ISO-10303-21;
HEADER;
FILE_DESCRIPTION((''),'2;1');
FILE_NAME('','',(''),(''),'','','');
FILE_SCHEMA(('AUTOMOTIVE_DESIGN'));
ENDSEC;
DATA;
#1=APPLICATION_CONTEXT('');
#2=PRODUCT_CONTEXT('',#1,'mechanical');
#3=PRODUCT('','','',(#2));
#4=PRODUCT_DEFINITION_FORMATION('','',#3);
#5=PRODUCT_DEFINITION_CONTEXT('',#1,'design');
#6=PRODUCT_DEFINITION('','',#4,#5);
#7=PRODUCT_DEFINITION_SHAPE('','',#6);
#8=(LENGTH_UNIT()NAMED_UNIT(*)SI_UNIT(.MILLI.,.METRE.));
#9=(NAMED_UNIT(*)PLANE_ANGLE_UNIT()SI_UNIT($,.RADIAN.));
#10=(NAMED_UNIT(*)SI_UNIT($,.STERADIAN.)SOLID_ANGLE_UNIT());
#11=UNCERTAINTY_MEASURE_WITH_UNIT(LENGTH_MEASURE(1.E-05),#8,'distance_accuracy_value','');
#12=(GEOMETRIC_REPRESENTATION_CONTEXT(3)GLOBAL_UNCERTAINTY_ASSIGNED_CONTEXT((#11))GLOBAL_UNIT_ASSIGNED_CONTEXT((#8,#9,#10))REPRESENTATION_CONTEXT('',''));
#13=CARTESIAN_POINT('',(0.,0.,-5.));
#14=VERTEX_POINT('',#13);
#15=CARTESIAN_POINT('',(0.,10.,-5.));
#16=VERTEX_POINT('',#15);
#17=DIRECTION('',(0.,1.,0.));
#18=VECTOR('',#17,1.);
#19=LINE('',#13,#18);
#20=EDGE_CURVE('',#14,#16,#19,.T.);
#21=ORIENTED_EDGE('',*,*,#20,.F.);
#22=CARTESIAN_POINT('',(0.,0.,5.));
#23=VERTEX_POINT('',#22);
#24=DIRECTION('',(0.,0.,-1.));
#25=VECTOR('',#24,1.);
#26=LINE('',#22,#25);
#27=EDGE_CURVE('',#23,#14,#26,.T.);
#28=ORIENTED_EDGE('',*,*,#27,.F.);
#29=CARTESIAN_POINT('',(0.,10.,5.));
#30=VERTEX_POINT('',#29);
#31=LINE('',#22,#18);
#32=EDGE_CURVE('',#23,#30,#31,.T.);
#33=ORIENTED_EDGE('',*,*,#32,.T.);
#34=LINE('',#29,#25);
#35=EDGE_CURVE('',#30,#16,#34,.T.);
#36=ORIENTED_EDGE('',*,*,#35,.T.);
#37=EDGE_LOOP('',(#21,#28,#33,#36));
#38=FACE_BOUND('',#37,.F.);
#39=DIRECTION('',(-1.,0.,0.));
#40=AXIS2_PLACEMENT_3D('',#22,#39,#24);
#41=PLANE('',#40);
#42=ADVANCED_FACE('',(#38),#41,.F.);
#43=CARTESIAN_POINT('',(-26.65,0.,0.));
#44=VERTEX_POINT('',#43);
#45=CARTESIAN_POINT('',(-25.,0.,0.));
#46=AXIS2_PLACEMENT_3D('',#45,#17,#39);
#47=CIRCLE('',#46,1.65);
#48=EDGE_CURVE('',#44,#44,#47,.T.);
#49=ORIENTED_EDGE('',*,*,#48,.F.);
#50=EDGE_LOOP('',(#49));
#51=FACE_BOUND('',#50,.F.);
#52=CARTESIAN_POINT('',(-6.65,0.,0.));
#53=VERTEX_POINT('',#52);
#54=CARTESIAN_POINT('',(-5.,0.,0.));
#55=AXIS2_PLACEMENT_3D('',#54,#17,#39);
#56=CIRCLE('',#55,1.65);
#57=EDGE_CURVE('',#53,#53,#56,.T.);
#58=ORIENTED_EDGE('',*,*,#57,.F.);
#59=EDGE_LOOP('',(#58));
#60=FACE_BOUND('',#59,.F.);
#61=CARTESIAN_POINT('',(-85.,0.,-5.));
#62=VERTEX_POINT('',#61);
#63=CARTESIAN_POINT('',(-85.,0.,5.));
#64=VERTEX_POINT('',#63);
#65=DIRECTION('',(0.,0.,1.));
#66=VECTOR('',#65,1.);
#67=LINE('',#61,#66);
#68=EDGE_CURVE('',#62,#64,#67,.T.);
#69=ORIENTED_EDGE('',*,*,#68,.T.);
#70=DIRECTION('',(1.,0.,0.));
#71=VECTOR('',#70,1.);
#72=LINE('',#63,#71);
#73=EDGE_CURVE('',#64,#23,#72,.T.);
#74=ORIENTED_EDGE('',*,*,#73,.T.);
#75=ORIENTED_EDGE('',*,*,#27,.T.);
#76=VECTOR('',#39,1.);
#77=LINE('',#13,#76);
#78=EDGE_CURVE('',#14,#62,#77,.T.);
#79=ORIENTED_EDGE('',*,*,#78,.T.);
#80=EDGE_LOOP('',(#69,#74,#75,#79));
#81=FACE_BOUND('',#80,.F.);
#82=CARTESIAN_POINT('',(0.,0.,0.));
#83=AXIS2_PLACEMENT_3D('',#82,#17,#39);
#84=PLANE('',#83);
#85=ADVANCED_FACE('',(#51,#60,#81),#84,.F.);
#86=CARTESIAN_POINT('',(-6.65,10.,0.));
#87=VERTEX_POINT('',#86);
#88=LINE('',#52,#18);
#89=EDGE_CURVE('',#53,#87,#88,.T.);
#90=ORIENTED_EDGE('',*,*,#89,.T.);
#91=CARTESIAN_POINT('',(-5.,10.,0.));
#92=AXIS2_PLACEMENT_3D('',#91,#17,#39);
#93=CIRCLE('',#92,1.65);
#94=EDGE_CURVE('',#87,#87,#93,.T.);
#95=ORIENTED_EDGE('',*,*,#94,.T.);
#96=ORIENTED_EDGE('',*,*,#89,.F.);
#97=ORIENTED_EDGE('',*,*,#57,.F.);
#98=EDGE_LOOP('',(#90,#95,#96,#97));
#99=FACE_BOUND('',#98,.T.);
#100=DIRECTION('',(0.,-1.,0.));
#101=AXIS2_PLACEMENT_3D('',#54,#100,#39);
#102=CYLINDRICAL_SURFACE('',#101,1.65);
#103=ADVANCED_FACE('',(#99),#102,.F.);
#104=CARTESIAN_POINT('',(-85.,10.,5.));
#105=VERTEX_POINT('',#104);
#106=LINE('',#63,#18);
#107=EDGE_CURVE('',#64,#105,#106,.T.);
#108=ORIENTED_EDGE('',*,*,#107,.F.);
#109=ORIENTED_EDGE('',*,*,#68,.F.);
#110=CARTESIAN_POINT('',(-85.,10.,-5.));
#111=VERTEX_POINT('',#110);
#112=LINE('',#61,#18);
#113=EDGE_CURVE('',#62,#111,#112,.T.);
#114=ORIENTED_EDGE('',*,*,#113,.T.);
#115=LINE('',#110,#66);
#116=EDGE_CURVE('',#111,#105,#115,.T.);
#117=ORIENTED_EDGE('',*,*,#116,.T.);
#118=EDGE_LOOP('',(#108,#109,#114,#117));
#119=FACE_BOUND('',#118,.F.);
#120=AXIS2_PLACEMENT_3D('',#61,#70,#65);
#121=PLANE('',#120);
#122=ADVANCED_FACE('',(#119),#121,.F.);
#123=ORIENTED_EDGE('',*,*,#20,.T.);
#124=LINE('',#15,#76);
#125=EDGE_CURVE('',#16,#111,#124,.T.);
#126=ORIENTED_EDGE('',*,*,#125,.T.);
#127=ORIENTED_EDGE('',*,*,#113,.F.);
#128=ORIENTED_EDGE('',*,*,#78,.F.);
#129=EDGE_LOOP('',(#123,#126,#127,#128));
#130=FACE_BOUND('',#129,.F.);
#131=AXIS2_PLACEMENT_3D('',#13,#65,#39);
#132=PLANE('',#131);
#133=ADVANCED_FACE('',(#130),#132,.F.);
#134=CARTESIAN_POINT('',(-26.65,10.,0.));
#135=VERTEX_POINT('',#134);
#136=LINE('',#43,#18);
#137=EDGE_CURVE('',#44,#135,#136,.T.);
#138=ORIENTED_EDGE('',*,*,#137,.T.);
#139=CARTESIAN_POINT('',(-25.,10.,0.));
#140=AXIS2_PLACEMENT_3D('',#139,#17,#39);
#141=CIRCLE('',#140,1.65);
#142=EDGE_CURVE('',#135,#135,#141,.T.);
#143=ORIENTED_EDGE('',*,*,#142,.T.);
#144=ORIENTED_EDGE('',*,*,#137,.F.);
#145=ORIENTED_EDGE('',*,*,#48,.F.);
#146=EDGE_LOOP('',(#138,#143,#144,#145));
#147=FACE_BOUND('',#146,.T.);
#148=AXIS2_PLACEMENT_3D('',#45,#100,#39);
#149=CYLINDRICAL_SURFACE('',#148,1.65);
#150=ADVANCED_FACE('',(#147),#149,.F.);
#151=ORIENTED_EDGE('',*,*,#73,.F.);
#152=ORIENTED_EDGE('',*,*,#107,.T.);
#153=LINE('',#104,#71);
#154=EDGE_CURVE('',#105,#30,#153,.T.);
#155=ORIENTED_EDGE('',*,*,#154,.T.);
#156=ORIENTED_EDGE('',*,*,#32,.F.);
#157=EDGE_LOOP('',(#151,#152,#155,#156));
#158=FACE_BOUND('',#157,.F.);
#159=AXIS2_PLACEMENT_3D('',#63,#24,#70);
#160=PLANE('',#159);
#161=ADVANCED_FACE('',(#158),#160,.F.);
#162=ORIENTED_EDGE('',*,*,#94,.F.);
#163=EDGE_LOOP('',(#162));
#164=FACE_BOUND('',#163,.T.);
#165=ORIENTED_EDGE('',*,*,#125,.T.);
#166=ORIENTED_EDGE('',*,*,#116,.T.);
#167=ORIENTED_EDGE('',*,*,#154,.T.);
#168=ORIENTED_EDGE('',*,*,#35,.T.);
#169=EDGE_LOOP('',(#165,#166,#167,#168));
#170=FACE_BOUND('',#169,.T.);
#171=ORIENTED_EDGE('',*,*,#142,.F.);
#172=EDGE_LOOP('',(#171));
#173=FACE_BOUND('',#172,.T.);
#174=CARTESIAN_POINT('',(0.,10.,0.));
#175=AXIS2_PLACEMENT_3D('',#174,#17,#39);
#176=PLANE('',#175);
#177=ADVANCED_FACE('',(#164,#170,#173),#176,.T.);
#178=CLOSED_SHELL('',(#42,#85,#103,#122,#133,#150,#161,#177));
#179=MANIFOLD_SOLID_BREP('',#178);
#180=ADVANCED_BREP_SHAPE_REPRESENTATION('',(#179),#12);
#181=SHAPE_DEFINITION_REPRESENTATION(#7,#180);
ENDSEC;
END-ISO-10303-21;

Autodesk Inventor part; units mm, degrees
ref_plane "YZ Plane" through (0, 0, 0) normal (1, 0, 0) x (0, 1, 0)
ref_plane "XZ Plane" through (0, 0, 0) normal (0, 1, 0) x (-1, 0, 0)
ref_plane "XY Plane" through (0, 0, 0) normal (0, 0, 1) x (1, 0, 0)
sketch "Sketch1" plane through (0, 0, 0) normal (0, 1, 0) x (-1, 0, 0)
  line L0 (85, 5) -> (0, 5)
  line L1 (0, 5) -> (0, -5)
  line L2 (0, -5) -> (85, -5)
  line L3 (85, -5) -> (85, 5)
  line L4 (25, 0) -> (5, 0) construction
  circle A0 centre (25, 0) radius 1.65
  circle A1 centre (5, 0) radius 1.65
  point P0 (0, 0)
  point P1 (0, 0)
  dimension "d0" = 10
  dimension "d1" = 20
  dimension "d2" = 3.3
  dimension "d3" = 5
  dimension "d6" = 85
extrude "Extrusion1" add sketch "Sketch1" along normal blind 10
properties part number "Tope X" material "Polypropylene"
